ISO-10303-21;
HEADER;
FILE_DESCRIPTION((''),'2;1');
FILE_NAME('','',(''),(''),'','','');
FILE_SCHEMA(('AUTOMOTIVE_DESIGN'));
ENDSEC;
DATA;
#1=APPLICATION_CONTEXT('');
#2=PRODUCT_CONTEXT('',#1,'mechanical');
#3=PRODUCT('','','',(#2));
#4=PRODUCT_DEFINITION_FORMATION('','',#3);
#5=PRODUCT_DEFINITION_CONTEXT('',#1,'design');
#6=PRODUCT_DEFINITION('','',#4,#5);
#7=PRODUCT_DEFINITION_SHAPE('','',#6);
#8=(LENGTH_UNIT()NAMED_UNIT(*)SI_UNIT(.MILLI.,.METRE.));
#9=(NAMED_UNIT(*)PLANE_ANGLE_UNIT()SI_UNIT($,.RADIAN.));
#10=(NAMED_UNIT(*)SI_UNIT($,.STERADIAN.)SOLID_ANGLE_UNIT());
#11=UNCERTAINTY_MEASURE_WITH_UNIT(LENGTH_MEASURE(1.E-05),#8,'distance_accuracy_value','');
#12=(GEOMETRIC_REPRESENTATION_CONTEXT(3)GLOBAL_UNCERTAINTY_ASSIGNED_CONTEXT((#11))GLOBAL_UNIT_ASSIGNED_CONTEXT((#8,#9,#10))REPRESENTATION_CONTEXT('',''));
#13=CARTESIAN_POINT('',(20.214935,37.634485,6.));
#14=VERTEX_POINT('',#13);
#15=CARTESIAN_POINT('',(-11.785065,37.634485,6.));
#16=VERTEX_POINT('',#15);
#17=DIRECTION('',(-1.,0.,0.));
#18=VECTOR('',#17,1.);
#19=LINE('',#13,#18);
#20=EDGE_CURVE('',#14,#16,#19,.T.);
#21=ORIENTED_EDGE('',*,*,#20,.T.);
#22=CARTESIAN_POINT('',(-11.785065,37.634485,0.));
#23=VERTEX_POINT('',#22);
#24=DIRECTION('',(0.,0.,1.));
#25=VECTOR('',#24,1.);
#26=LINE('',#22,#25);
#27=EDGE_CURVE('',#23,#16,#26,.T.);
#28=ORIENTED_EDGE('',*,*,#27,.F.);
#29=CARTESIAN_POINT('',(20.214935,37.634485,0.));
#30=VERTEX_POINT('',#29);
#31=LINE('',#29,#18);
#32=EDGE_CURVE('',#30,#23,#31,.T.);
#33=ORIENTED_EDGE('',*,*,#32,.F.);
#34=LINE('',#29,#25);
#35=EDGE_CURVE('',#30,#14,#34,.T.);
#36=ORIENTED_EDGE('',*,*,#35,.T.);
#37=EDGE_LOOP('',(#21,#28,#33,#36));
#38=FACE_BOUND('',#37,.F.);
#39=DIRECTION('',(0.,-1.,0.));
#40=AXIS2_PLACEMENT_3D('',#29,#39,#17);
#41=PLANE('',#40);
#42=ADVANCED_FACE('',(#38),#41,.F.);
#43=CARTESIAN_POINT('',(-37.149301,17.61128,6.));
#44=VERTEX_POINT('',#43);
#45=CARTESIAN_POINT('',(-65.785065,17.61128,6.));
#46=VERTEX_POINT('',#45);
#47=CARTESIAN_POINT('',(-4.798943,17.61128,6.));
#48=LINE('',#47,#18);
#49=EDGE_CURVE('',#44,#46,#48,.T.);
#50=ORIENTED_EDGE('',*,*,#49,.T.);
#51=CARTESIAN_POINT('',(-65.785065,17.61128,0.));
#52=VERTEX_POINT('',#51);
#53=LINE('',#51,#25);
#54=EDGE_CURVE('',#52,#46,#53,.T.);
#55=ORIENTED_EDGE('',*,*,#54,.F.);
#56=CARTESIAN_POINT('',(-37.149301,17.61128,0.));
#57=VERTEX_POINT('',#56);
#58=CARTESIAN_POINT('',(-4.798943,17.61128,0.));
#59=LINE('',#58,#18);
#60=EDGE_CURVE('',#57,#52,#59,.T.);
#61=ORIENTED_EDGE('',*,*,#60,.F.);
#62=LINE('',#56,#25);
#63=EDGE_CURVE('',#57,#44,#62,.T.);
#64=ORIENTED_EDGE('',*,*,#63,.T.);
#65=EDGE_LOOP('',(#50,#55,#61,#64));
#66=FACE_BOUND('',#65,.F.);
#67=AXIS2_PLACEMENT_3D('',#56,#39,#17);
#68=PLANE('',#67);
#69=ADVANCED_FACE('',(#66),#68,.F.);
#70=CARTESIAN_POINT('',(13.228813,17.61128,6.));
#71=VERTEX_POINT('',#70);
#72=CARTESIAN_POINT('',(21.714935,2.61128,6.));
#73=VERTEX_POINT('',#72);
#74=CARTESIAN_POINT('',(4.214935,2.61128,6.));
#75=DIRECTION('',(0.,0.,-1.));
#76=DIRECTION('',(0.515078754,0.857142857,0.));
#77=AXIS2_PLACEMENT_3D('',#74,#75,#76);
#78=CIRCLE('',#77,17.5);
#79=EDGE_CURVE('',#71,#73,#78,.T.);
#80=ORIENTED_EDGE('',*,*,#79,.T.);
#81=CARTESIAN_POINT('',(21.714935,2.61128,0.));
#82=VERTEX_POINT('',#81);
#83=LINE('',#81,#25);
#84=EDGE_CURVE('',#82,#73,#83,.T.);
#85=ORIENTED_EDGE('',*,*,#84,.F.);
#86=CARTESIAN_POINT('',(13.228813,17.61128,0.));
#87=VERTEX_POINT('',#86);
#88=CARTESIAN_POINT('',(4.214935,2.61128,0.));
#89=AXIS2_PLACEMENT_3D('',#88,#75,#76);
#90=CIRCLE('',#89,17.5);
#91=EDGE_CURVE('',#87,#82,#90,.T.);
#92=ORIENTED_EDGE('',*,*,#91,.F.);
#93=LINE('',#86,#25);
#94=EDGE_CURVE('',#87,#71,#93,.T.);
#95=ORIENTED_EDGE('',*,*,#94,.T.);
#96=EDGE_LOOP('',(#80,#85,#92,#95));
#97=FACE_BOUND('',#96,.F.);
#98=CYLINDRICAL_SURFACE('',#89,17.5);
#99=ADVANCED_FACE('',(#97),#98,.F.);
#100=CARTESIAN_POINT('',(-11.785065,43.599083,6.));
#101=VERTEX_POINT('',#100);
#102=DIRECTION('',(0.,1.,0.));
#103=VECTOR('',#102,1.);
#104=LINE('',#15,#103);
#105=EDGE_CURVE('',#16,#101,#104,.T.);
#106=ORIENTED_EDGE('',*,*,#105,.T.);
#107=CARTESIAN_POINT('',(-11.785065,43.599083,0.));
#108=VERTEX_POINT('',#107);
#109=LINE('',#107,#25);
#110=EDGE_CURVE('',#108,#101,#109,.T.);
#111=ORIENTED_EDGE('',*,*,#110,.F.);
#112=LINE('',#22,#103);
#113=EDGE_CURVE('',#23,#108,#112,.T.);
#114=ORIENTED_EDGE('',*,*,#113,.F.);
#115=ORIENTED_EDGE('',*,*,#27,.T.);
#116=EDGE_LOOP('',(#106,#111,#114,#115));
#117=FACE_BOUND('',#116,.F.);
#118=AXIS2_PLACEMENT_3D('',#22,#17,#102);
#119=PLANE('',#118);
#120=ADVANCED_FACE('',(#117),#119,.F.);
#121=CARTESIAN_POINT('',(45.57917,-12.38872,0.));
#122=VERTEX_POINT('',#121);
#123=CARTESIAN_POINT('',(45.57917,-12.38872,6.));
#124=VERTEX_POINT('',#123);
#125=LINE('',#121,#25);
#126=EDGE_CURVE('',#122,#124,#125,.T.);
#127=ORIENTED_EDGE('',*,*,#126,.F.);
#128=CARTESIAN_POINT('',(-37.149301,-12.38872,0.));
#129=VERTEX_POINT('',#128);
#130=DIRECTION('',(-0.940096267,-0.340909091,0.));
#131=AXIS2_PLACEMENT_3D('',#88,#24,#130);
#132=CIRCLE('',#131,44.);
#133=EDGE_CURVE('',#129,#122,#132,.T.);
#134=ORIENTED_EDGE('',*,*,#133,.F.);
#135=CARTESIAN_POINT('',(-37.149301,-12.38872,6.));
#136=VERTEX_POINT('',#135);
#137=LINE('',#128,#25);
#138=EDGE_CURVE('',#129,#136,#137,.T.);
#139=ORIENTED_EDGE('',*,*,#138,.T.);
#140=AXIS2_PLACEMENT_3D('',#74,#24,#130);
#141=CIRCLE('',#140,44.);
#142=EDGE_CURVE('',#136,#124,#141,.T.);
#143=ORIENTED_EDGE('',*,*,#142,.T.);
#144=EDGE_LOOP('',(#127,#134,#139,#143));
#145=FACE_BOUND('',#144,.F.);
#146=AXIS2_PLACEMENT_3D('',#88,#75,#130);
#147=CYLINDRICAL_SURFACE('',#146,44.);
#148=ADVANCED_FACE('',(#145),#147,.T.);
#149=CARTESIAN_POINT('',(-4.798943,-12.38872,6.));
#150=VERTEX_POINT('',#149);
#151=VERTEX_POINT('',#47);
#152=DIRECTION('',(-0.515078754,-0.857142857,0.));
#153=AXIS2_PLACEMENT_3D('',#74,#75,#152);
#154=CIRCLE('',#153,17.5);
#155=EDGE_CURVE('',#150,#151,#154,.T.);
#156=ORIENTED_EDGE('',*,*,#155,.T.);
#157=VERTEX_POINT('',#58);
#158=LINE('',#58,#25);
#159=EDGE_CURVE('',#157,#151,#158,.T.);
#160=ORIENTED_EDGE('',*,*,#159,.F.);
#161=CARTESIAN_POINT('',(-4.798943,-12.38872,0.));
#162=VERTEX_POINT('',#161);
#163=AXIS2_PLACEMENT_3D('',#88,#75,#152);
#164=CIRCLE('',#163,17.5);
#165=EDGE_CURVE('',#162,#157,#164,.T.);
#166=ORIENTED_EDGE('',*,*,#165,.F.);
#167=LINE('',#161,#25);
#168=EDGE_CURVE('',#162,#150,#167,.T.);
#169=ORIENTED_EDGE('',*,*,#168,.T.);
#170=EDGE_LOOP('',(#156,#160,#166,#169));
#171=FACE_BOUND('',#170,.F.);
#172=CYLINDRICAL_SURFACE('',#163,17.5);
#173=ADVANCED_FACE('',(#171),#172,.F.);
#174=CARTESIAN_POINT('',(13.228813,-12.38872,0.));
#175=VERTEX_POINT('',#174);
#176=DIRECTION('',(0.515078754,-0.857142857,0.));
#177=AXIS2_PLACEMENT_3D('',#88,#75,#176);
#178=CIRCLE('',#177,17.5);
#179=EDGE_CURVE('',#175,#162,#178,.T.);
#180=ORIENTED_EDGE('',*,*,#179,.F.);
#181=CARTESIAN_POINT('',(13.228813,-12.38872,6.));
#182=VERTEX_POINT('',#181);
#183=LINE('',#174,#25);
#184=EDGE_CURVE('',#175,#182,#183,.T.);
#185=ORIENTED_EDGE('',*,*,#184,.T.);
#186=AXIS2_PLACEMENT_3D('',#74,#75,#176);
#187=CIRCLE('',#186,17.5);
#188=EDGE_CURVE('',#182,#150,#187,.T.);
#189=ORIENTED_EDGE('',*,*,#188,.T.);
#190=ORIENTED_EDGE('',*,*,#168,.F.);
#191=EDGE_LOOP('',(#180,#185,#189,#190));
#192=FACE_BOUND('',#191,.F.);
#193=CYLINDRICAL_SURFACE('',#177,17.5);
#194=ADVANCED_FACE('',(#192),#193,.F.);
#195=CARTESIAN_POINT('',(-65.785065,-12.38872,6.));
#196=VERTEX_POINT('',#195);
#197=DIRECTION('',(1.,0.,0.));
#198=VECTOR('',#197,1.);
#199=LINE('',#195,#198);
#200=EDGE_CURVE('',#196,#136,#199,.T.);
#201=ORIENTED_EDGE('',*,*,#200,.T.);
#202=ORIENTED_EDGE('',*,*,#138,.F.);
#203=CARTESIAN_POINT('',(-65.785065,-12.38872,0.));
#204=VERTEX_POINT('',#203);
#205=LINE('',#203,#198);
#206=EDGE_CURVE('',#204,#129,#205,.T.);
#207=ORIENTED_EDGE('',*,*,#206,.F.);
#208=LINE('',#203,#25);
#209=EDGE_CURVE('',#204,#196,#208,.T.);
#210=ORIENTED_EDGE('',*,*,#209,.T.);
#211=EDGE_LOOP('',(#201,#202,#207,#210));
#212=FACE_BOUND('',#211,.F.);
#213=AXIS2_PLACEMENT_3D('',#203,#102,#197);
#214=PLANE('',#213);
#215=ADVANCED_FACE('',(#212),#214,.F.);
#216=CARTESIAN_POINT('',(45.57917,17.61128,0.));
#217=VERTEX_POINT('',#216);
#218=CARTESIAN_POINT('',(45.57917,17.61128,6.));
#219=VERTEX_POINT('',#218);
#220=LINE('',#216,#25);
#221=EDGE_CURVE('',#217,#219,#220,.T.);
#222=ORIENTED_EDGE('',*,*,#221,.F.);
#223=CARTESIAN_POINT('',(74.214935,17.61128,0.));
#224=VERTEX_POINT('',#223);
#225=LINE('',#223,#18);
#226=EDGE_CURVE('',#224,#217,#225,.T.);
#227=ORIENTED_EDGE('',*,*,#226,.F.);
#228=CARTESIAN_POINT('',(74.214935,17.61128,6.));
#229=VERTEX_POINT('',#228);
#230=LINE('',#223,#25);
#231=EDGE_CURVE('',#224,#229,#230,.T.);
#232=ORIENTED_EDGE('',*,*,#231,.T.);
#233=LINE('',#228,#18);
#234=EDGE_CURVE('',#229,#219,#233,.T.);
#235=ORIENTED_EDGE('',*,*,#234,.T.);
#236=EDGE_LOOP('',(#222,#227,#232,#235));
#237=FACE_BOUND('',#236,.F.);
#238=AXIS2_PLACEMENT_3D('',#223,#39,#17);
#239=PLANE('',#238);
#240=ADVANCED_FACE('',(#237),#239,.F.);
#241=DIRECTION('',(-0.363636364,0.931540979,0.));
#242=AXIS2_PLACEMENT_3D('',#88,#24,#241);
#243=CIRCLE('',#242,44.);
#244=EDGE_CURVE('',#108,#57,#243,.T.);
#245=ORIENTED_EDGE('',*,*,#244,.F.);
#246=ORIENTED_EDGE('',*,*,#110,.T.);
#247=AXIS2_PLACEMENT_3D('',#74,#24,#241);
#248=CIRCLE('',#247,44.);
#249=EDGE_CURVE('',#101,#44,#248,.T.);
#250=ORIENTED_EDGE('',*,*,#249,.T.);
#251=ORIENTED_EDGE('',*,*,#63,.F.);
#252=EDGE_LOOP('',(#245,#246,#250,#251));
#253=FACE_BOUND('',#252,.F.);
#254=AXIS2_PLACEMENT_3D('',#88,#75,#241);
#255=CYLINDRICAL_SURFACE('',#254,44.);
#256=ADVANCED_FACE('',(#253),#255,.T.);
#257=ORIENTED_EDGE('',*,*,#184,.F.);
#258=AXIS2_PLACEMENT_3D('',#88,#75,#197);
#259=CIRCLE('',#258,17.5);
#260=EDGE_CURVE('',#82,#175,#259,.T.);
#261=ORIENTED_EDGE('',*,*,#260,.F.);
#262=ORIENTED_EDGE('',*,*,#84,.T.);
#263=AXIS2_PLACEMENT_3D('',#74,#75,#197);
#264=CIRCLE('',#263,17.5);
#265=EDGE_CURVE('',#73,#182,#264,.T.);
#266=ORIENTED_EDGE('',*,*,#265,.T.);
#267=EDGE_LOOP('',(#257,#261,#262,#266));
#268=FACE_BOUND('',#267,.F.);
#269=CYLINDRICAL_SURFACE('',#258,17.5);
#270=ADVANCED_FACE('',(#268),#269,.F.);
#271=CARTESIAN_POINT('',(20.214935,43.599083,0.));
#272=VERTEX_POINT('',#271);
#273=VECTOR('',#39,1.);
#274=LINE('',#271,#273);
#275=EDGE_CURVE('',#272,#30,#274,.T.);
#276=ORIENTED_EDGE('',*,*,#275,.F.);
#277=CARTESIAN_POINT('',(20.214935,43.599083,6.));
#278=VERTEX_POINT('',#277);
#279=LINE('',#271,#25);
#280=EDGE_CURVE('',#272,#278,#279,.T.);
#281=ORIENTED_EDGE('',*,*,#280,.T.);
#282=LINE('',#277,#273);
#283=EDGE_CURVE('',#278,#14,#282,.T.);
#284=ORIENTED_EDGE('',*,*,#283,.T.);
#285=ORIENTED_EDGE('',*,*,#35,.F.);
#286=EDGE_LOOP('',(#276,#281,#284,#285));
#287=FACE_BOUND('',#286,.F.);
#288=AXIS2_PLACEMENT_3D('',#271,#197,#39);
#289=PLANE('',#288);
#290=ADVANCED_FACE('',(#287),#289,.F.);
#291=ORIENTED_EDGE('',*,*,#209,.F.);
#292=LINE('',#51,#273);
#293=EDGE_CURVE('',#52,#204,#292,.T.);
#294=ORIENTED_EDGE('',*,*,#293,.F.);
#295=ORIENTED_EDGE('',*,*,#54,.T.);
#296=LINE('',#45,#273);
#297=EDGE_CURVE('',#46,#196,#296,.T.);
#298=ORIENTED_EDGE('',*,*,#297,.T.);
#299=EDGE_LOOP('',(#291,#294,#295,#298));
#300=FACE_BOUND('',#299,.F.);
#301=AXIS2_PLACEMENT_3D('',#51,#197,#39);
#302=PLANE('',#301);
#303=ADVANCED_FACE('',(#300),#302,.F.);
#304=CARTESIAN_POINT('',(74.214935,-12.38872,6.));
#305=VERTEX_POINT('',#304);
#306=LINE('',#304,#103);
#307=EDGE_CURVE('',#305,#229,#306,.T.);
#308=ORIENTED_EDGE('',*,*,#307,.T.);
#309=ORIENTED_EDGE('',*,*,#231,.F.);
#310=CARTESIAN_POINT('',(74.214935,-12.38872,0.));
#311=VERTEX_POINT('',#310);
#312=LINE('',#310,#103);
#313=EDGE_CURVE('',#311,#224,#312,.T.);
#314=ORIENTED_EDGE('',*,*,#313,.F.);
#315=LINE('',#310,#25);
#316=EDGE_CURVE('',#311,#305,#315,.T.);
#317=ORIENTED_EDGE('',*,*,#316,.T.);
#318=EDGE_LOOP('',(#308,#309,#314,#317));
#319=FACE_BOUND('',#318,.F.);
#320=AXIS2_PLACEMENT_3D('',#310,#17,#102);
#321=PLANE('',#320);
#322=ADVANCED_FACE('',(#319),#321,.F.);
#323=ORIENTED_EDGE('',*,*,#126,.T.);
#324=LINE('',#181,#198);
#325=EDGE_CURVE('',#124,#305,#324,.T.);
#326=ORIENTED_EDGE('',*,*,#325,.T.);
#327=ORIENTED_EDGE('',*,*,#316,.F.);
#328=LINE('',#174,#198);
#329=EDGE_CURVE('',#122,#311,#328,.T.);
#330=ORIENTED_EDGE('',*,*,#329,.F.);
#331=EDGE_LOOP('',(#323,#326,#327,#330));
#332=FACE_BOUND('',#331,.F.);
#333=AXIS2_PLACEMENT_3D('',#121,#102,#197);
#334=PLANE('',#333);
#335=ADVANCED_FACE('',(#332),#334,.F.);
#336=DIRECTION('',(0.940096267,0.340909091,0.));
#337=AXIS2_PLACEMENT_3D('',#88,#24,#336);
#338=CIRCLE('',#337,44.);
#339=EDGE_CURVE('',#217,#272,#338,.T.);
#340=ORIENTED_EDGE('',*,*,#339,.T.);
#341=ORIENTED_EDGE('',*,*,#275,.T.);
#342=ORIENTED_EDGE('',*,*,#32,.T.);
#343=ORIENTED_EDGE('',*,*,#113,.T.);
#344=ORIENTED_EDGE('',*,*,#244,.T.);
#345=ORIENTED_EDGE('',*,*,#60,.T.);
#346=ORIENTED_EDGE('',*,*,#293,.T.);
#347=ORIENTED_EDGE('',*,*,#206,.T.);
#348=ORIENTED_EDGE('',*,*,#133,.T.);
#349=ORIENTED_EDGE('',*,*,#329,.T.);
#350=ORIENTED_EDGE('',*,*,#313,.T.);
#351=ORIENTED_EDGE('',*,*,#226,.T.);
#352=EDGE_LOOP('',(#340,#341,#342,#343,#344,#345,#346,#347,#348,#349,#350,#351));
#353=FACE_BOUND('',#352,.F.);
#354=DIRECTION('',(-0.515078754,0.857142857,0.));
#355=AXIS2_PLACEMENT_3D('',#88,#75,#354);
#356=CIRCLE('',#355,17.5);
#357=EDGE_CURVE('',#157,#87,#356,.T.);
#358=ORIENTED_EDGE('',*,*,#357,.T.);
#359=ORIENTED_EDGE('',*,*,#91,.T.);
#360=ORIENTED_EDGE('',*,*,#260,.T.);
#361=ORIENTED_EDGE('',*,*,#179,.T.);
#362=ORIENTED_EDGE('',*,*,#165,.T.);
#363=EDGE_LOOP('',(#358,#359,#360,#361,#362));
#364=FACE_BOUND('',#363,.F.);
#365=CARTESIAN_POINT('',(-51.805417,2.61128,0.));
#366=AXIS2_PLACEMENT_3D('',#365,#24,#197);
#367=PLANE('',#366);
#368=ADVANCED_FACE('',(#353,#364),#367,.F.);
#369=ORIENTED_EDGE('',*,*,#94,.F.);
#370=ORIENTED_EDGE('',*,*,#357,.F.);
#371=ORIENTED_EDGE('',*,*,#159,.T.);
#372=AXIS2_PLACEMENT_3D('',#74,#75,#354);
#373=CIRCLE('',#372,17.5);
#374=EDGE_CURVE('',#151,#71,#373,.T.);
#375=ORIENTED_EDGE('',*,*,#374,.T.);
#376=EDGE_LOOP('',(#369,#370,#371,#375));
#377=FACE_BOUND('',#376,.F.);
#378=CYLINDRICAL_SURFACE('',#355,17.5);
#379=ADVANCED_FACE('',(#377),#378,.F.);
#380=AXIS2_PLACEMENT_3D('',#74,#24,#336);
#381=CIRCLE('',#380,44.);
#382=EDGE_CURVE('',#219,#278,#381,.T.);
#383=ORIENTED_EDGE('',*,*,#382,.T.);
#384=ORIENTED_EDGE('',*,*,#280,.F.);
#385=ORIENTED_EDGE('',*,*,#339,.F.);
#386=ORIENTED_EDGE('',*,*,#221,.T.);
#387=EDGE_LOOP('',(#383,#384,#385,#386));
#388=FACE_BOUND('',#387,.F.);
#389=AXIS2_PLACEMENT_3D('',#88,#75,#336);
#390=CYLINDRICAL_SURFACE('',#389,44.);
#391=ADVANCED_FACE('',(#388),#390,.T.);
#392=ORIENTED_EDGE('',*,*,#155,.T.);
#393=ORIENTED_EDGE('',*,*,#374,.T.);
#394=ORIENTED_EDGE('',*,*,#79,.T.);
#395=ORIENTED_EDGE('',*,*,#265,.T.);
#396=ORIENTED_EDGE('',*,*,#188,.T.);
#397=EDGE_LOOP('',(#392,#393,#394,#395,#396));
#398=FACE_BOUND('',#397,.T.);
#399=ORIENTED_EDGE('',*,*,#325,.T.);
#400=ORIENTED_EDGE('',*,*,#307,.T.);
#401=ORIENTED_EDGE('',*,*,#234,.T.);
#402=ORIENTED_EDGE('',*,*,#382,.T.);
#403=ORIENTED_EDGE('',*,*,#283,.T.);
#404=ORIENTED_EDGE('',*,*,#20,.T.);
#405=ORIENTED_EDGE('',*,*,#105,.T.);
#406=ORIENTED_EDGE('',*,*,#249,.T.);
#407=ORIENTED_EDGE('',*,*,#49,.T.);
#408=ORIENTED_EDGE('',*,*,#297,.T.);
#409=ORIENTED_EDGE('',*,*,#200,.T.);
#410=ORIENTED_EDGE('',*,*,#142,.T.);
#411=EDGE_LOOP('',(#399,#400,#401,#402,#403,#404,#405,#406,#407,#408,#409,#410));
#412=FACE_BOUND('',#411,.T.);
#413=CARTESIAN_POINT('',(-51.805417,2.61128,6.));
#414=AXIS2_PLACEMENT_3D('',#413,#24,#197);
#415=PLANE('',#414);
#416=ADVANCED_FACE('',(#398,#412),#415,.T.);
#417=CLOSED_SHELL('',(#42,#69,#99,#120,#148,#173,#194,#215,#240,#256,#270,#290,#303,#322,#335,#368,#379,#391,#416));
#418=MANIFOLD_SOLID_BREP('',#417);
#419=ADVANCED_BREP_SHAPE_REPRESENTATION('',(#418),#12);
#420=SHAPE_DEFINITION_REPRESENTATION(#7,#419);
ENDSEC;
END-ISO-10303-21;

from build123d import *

# Parameters (mm, degrees)
F1_DEPTH = 6


with BuildPart() as f1:
    # F0 (on Top) → F1 (new body)
    with BuildSketch(Plane.XY):
        with BuildLine():
            ThreePointArc((-37.1493010532, -12.3887201771), (-39.7850652933, 2.6112798229), (-37.1493010532, 17.6112798229))
            Line((-37.1493010532, 17.6112798229), (-65.7850652933, 17.6112798229))
            Line((-65.7850652933, 17.6112798229), (-65.7850652933, -12.3887201771))
            Line((-65.7850652933, -12.3887201771), (-37.1493010532, -12.3887201771))
        make_face()
        with BuildLine():
            ThreePointArc((-4.798943482, -12.3887201771), (-13.2850652933, 2.6112798229), (-4.798943482, 17.6112798229))
            Line((-4.798943482, 17.6112798229), (-37.1493010532, 17.6112798229))
            ThreePointArc((-37.1493010532, 17.6112798229), (-39.7850652933, 2.6112798229), (-37.1493010532, -12.3887201771))
            Line((-37.1493010532, -12.3887201771), (-4.798943482, -12.3887201771))
        make_face()
        with BuildLine():
            ThreePointArc((13.2288128953, 17.6112798229), (19.4463638632, 11.2283307018), (21.7149347067, 2.6112798229))
            ThreePointArc((21.7149347067, 2.6112798229), (19.4463638632, -6.005771056), (13.2288128953, -12.3887201771))
            Line((13.2288128953, -12.3887201771), (45.5791704666, -12.3887201771))
            ThreePointArc((45.5791704666, -12.3887201771), (47.5509842119, -5.0036274833), (48.2149347067, 2.6112798229))
            ThreePointArc((48.2149347067, 2.6112798229), (47.5509842119, 10.2261871291), (45.5791704666, 17.6112798229))
            Line((45.5791704666, 17.6112798229), (13.2288128953, 17.6112798229))
        make_face()
        with BuildLine():
            Line((74.2149347067, 17.6112798229), (45.5791704666, 17.6112798229))
            ThreePointArc((45.5791704666, 17.6112798229), (47.5509842119, 10.2261871291), (48.2149347067, 2.6112798229))
            ThreePointArc((48.2149347067, 2.6112798229), (47.5509842119, -5.0036274833), (45.5791704666, -12.3887201771))
            Line((45.5791704666, -12.3887201771), (74.2149347067, -12.3887201771))
            Line((74.2149347067, -12.3887201771), (74.2149347067, 17.6112798229))
        make_face()
        with BuildLine():
            ThreePointArc((-4.798943482, 17.6112798229), (4.2149347067, 20.1112798229), (13.2288128953, 17.6112798229))
            Line((13.2288128953, 17.6112798229), (45.5791704666, 17.6112798229))
            ThreePointArc((45.5791704666, 17.6112798229), (35.703112855, 33.3439112901), (20.2149347067, 43.5990828867))
            Line((20.2149347067, 43.5990828867), (20.2149347067, 37.6344849233))
            Line((20.2149347067, 37.6344849233), (-11.7850652933, 37.6344849233))
            Line((-11.7850652933, 37.6344849233), (-11.7850652933, 43.5990828867))
            ThreePointArc((-11.7850652933, 43.5990828867), (-27.2732434416, 33.3439112901), (-37.1493010532, 17.6112798229))
            Line((-37.1493010532, 17.6112798229), (-4.798943482, 17.6112798229))
        make_face()
        with BuildLine():
            Line((45.5791704666, -12.3887201771), (13.2288128953, -12.3887201771))
            ThreePointArc((13.2288128953, -12.3887201771), (4.2149347067, -14.8887201771), (-4.798943482, -12.3887201771))
            Line((-4.798943482, -12.3887201771), (-37.1493010532, -12.3887201771))
            ThreePointArc((-37.1493010532, -12.3887201771), (4.2149347067, -41.3887201771), (45.5791704666, -12.3887201771))
        make_face()
    extrude(amount=F1_DEPTH)


solid = f1.part
